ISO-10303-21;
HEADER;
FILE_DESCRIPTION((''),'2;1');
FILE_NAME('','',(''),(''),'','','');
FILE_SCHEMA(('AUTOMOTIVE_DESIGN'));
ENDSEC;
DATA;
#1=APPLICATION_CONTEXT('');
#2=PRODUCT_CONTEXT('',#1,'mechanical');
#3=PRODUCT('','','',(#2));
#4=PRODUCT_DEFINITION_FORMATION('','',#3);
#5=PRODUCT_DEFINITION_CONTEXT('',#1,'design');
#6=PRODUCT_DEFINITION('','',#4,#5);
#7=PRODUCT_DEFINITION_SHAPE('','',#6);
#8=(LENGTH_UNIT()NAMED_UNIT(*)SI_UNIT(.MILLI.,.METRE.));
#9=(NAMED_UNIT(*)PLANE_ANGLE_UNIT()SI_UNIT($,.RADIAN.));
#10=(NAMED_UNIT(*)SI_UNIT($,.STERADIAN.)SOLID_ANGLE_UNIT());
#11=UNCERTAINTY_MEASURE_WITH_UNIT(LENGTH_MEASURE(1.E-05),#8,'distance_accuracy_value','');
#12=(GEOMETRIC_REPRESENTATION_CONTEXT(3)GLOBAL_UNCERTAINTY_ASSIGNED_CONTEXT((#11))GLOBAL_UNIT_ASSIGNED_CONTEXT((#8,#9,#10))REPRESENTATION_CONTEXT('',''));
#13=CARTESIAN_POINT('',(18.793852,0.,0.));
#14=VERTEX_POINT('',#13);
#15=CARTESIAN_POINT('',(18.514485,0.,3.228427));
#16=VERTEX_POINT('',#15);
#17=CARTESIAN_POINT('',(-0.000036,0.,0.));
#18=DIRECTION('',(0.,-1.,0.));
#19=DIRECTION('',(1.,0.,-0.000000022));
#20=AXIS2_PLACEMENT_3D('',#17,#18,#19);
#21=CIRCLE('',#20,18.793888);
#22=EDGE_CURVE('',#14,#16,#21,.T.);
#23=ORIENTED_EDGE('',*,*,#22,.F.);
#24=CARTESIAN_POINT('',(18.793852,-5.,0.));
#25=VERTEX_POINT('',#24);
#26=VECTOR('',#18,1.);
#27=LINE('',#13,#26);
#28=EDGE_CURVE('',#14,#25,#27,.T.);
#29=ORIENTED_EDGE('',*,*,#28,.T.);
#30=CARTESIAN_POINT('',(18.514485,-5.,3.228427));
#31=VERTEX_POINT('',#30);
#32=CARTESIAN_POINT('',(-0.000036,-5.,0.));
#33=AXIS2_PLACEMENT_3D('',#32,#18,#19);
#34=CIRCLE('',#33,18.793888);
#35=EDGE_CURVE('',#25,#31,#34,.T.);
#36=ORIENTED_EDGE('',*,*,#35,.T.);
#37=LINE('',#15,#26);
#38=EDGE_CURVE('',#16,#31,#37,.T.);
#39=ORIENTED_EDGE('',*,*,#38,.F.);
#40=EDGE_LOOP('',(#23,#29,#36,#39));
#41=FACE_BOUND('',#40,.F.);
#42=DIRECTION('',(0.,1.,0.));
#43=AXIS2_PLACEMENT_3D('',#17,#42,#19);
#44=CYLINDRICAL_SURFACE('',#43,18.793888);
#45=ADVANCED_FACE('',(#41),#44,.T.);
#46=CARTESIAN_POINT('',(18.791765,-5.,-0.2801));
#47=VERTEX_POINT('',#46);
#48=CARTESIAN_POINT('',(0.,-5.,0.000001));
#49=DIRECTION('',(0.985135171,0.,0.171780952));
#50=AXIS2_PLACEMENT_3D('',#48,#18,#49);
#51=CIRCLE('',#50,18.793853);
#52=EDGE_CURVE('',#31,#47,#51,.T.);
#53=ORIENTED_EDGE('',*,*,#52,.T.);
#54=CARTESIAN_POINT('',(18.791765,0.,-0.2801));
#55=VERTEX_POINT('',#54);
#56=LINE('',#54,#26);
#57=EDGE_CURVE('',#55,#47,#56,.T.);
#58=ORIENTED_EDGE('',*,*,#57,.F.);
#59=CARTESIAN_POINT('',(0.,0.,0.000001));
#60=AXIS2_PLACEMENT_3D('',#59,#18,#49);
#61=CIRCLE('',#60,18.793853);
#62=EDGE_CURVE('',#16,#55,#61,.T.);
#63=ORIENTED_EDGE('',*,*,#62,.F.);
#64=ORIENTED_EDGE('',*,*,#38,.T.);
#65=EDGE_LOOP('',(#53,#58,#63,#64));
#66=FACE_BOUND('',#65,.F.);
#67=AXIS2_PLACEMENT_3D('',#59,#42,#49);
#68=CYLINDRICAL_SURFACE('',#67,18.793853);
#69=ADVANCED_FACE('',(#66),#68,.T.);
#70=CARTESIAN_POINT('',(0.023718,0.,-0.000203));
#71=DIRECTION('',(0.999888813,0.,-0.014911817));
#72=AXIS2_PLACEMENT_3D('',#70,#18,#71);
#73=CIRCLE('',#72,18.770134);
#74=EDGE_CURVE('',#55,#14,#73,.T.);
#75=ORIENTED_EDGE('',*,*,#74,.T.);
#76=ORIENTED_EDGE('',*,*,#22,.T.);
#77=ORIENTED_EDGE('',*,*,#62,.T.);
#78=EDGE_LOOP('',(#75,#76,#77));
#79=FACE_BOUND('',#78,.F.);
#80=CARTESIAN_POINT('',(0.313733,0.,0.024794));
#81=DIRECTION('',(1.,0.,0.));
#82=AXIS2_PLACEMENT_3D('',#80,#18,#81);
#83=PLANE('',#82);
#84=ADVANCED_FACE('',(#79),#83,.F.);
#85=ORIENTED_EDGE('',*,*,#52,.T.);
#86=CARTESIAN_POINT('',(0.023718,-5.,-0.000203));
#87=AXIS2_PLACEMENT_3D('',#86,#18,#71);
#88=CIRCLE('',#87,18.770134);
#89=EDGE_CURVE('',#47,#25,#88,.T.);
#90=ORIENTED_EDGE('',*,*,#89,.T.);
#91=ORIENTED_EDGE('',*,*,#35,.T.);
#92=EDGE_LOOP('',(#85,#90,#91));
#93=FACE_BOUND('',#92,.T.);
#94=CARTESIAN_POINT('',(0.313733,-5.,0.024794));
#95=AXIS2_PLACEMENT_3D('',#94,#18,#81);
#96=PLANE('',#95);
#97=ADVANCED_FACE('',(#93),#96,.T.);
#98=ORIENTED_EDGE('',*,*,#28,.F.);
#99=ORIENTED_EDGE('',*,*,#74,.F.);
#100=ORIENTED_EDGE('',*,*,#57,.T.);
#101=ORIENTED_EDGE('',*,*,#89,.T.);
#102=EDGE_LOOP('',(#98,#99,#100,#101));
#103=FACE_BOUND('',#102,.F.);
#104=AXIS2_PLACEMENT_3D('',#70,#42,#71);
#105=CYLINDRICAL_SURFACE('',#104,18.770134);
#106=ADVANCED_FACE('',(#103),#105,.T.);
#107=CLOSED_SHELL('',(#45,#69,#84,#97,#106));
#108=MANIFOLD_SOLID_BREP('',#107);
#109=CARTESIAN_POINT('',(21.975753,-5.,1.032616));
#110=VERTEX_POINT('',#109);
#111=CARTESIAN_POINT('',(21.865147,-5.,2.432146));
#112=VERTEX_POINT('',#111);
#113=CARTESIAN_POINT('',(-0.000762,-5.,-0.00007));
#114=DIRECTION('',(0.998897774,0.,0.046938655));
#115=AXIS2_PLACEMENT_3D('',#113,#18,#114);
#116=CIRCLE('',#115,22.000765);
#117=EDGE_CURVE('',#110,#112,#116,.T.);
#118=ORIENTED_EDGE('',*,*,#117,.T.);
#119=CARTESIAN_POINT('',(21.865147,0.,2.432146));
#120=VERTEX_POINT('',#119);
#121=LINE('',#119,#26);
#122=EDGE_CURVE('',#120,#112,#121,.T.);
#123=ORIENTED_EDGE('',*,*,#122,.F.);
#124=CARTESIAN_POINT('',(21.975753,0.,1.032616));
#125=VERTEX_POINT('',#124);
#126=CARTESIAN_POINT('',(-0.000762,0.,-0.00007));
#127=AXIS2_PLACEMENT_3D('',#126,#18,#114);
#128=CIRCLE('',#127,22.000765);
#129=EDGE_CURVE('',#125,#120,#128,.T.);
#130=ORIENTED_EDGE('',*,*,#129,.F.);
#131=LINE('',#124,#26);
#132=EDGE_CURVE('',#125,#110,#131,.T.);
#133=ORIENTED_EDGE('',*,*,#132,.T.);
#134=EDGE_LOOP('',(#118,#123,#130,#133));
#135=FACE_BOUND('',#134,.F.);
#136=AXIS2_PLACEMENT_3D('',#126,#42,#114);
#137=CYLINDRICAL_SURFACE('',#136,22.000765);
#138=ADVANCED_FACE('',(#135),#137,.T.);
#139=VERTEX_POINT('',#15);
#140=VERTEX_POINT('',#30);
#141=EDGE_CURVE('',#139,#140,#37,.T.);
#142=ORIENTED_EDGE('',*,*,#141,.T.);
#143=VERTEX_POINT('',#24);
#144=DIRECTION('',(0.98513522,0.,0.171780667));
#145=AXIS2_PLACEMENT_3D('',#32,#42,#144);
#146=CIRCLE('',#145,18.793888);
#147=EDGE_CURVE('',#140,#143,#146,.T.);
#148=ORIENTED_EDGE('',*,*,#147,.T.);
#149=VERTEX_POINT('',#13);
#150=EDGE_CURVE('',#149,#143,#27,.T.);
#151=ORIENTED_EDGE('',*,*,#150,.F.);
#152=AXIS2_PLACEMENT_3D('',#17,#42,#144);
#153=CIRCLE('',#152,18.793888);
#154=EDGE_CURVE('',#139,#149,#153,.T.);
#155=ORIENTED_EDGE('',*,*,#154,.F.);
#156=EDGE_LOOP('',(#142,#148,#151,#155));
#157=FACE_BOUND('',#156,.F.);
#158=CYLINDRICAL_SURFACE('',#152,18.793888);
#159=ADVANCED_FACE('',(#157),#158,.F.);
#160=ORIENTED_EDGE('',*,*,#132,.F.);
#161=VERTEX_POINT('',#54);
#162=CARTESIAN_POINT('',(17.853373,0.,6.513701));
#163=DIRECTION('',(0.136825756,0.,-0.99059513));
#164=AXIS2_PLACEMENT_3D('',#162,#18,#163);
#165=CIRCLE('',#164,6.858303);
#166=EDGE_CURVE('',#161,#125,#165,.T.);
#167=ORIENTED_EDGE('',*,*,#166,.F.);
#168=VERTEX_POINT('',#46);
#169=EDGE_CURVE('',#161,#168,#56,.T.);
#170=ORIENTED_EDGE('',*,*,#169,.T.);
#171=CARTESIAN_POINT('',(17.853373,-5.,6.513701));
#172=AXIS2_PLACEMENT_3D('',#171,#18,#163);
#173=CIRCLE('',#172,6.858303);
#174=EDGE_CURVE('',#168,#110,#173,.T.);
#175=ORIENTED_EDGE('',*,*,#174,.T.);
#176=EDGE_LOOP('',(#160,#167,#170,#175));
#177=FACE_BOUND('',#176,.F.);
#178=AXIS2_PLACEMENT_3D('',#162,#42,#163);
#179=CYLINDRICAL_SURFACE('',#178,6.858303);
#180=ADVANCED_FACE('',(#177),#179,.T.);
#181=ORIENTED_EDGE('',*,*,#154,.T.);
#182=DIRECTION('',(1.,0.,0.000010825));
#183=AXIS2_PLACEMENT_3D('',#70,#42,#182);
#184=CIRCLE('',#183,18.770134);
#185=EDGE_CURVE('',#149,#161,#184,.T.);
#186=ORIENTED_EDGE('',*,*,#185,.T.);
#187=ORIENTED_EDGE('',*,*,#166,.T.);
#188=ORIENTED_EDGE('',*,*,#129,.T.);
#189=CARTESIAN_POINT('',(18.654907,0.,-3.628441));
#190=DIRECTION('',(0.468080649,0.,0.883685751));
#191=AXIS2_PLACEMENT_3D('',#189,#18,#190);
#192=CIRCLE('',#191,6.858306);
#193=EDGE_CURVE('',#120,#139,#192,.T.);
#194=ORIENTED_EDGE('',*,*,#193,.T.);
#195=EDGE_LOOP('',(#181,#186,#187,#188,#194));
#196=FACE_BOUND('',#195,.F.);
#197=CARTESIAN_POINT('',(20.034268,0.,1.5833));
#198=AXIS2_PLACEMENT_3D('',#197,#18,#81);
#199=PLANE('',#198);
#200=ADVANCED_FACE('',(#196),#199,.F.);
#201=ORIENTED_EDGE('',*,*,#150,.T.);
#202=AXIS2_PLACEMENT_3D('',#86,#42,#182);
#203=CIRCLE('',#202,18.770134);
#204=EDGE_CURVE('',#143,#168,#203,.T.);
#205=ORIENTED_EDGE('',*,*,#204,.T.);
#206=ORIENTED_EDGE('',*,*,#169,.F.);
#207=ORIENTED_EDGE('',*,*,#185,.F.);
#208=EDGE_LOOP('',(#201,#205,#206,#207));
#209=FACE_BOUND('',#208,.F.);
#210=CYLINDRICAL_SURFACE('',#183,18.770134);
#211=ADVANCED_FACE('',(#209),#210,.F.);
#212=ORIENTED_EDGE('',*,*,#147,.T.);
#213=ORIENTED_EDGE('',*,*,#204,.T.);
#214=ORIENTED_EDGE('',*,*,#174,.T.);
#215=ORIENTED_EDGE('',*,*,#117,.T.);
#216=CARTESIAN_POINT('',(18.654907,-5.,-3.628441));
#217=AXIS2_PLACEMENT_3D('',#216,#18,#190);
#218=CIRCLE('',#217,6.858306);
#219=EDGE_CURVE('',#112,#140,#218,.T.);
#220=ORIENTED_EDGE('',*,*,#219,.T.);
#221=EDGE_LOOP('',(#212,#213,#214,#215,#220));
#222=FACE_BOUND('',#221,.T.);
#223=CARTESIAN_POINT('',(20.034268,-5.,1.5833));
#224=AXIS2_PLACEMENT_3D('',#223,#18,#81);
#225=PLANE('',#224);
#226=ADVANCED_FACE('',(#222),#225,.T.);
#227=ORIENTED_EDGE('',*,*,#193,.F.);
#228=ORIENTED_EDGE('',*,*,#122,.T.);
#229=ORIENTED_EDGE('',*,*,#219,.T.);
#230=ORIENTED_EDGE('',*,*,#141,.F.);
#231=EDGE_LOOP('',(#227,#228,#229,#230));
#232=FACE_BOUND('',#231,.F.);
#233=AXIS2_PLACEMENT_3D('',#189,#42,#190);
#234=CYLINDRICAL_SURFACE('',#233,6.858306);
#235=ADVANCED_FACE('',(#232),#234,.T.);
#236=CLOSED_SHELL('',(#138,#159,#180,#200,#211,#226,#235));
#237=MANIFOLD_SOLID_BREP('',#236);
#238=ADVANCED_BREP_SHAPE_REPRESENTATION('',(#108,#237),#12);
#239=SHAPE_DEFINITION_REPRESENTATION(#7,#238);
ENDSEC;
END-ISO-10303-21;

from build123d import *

# Parameters (mm, degrees)
F1_DEPTH = 5
F2_DEPTH = 5


with BuildPart() as f1:
    # F0 (on Front) → F1 (new body)
    with BuildSketch(Plane.XZ):
        with BuildLine():
            ThreePointArc((18.791765, -0.2801), (18.793331, -0.140054), (18.793852, 0))
            ThreePointArc((18.793852, 0), (18.72388, 1.620246), (18.514485, 3.228427))
            ThreePointArc((18.514485, 3.228427), (-18.735435, -1.480668), (18.791765, -0.2801))
        make_face()
    extrude(amount=F1_DEPTH)


with BuildPart() as f2:
    # F0 (on Front) → F2 (new body)
    with BuildSketch(Plane.XZ):
        with BuildLine():
            ThreePointArc((18.514485, 3.228427), (18.72388, 1.620246), (18.793852, 0))
            ThreePointArc((18.793852, 0), (18.793331, -0.140054), (18.791765, -0.2801))
            ThreePointArc((18.791765, -0.2801), (20.4675, 0.173145), (21.975753, 1.032616))
            ThreePointArc((21.975753, 1.032616), (21.931616, 1.733264), (21.865147, 2.432146))
            ThreePointArc((21.865147, 2.432146), (20.240612, 3.044032), (18.514485, 3.228427))
        make_face()
    extrude(amount=F2_DEPTH)


solid = Compound([f1.part, f2.part])
